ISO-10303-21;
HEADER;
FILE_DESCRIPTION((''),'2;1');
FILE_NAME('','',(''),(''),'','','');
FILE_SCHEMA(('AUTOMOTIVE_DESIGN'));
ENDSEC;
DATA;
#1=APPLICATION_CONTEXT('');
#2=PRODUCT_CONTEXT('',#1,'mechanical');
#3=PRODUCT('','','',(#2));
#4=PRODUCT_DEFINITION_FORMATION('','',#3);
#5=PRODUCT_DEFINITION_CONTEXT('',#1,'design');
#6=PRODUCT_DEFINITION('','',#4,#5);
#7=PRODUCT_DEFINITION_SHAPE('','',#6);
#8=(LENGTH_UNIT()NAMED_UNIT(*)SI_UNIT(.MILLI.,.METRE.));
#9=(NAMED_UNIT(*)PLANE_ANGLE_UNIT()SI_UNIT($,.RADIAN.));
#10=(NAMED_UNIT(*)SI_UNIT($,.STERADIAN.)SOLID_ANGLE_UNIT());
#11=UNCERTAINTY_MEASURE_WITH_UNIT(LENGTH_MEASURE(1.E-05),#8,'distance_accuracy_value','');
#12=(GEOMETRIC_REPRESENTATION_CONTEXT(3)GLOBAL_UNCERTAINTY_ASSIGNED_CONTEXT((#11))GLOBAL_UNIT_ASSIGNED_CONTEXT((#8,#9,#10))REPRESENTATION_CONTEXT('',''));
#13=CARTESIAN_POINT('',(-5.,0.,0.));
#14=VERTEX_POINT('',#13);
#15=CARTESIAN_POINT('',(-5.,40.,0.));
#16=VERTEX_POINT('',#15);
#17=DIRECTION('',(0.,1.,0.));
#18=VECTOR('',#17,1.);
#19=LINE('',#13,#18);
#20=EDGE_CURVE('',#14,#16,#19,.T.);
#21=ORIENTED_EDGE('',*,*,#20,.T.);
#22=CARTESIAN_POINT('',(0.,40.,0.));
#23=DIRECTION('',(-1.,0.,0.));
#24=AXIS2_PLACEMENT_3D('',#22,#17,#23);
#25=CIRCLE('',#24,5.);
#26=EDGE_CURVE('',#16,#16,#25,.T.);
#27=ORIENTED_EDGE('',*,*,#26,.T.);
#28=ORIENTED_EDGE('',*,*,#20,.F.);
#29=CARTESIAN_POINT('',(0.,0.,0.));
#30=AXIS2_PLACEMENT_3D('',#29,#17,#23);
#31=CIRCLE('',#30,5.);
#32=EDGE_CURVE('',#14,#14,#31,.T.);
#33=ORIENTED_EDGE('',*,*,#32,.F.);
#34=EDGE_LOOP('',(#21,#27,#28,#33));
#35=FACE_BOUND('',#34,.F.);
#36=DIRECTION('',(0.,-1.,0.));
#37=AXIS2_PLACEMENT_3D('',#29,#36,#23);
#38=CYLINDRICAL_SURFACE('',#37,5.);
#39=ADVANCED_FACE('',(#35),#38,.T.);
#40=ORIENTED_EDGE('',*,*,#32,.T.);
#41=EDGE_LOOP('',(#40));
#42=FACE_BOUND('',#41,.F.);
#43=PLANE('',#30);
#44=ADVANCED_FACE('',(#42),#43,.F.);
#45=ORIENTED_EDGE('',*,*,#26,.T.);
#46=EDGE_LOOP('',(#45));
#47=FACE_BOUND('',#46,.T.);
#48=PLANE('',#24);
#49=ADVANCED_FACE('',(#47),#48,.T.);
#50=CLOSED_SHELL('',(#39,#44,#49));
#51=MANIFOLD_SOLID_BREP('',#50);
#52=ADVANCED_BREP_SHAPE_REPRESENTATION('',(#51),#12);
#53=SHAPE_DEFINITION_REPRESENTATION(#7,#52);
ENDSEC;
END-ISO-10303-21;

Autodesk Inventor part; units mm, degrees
ref_plane "YZ Plane" through (0, 0, 0) normal (1, 0, 0) x (0, 1, 0)
ref_plane "XZ Plane" through (0, 0, 0) normal (0, 1, 0) x (-1, 0, 0)
ref_plane "XY Plane" through (0, 0, 0) normal (0, 0, 1) x (1, 0, 0)
sketch "Sketch1" plane through (0, 0, 0) normal (0, 1, 0) x (-1, 0, 0)
  circle A0 centre (0, 0) radius 5
  dimension "d0" = 10
extrude "Extrusion1" add sketch "Sketch1" along normal blind 40
properties part number "shaft"
